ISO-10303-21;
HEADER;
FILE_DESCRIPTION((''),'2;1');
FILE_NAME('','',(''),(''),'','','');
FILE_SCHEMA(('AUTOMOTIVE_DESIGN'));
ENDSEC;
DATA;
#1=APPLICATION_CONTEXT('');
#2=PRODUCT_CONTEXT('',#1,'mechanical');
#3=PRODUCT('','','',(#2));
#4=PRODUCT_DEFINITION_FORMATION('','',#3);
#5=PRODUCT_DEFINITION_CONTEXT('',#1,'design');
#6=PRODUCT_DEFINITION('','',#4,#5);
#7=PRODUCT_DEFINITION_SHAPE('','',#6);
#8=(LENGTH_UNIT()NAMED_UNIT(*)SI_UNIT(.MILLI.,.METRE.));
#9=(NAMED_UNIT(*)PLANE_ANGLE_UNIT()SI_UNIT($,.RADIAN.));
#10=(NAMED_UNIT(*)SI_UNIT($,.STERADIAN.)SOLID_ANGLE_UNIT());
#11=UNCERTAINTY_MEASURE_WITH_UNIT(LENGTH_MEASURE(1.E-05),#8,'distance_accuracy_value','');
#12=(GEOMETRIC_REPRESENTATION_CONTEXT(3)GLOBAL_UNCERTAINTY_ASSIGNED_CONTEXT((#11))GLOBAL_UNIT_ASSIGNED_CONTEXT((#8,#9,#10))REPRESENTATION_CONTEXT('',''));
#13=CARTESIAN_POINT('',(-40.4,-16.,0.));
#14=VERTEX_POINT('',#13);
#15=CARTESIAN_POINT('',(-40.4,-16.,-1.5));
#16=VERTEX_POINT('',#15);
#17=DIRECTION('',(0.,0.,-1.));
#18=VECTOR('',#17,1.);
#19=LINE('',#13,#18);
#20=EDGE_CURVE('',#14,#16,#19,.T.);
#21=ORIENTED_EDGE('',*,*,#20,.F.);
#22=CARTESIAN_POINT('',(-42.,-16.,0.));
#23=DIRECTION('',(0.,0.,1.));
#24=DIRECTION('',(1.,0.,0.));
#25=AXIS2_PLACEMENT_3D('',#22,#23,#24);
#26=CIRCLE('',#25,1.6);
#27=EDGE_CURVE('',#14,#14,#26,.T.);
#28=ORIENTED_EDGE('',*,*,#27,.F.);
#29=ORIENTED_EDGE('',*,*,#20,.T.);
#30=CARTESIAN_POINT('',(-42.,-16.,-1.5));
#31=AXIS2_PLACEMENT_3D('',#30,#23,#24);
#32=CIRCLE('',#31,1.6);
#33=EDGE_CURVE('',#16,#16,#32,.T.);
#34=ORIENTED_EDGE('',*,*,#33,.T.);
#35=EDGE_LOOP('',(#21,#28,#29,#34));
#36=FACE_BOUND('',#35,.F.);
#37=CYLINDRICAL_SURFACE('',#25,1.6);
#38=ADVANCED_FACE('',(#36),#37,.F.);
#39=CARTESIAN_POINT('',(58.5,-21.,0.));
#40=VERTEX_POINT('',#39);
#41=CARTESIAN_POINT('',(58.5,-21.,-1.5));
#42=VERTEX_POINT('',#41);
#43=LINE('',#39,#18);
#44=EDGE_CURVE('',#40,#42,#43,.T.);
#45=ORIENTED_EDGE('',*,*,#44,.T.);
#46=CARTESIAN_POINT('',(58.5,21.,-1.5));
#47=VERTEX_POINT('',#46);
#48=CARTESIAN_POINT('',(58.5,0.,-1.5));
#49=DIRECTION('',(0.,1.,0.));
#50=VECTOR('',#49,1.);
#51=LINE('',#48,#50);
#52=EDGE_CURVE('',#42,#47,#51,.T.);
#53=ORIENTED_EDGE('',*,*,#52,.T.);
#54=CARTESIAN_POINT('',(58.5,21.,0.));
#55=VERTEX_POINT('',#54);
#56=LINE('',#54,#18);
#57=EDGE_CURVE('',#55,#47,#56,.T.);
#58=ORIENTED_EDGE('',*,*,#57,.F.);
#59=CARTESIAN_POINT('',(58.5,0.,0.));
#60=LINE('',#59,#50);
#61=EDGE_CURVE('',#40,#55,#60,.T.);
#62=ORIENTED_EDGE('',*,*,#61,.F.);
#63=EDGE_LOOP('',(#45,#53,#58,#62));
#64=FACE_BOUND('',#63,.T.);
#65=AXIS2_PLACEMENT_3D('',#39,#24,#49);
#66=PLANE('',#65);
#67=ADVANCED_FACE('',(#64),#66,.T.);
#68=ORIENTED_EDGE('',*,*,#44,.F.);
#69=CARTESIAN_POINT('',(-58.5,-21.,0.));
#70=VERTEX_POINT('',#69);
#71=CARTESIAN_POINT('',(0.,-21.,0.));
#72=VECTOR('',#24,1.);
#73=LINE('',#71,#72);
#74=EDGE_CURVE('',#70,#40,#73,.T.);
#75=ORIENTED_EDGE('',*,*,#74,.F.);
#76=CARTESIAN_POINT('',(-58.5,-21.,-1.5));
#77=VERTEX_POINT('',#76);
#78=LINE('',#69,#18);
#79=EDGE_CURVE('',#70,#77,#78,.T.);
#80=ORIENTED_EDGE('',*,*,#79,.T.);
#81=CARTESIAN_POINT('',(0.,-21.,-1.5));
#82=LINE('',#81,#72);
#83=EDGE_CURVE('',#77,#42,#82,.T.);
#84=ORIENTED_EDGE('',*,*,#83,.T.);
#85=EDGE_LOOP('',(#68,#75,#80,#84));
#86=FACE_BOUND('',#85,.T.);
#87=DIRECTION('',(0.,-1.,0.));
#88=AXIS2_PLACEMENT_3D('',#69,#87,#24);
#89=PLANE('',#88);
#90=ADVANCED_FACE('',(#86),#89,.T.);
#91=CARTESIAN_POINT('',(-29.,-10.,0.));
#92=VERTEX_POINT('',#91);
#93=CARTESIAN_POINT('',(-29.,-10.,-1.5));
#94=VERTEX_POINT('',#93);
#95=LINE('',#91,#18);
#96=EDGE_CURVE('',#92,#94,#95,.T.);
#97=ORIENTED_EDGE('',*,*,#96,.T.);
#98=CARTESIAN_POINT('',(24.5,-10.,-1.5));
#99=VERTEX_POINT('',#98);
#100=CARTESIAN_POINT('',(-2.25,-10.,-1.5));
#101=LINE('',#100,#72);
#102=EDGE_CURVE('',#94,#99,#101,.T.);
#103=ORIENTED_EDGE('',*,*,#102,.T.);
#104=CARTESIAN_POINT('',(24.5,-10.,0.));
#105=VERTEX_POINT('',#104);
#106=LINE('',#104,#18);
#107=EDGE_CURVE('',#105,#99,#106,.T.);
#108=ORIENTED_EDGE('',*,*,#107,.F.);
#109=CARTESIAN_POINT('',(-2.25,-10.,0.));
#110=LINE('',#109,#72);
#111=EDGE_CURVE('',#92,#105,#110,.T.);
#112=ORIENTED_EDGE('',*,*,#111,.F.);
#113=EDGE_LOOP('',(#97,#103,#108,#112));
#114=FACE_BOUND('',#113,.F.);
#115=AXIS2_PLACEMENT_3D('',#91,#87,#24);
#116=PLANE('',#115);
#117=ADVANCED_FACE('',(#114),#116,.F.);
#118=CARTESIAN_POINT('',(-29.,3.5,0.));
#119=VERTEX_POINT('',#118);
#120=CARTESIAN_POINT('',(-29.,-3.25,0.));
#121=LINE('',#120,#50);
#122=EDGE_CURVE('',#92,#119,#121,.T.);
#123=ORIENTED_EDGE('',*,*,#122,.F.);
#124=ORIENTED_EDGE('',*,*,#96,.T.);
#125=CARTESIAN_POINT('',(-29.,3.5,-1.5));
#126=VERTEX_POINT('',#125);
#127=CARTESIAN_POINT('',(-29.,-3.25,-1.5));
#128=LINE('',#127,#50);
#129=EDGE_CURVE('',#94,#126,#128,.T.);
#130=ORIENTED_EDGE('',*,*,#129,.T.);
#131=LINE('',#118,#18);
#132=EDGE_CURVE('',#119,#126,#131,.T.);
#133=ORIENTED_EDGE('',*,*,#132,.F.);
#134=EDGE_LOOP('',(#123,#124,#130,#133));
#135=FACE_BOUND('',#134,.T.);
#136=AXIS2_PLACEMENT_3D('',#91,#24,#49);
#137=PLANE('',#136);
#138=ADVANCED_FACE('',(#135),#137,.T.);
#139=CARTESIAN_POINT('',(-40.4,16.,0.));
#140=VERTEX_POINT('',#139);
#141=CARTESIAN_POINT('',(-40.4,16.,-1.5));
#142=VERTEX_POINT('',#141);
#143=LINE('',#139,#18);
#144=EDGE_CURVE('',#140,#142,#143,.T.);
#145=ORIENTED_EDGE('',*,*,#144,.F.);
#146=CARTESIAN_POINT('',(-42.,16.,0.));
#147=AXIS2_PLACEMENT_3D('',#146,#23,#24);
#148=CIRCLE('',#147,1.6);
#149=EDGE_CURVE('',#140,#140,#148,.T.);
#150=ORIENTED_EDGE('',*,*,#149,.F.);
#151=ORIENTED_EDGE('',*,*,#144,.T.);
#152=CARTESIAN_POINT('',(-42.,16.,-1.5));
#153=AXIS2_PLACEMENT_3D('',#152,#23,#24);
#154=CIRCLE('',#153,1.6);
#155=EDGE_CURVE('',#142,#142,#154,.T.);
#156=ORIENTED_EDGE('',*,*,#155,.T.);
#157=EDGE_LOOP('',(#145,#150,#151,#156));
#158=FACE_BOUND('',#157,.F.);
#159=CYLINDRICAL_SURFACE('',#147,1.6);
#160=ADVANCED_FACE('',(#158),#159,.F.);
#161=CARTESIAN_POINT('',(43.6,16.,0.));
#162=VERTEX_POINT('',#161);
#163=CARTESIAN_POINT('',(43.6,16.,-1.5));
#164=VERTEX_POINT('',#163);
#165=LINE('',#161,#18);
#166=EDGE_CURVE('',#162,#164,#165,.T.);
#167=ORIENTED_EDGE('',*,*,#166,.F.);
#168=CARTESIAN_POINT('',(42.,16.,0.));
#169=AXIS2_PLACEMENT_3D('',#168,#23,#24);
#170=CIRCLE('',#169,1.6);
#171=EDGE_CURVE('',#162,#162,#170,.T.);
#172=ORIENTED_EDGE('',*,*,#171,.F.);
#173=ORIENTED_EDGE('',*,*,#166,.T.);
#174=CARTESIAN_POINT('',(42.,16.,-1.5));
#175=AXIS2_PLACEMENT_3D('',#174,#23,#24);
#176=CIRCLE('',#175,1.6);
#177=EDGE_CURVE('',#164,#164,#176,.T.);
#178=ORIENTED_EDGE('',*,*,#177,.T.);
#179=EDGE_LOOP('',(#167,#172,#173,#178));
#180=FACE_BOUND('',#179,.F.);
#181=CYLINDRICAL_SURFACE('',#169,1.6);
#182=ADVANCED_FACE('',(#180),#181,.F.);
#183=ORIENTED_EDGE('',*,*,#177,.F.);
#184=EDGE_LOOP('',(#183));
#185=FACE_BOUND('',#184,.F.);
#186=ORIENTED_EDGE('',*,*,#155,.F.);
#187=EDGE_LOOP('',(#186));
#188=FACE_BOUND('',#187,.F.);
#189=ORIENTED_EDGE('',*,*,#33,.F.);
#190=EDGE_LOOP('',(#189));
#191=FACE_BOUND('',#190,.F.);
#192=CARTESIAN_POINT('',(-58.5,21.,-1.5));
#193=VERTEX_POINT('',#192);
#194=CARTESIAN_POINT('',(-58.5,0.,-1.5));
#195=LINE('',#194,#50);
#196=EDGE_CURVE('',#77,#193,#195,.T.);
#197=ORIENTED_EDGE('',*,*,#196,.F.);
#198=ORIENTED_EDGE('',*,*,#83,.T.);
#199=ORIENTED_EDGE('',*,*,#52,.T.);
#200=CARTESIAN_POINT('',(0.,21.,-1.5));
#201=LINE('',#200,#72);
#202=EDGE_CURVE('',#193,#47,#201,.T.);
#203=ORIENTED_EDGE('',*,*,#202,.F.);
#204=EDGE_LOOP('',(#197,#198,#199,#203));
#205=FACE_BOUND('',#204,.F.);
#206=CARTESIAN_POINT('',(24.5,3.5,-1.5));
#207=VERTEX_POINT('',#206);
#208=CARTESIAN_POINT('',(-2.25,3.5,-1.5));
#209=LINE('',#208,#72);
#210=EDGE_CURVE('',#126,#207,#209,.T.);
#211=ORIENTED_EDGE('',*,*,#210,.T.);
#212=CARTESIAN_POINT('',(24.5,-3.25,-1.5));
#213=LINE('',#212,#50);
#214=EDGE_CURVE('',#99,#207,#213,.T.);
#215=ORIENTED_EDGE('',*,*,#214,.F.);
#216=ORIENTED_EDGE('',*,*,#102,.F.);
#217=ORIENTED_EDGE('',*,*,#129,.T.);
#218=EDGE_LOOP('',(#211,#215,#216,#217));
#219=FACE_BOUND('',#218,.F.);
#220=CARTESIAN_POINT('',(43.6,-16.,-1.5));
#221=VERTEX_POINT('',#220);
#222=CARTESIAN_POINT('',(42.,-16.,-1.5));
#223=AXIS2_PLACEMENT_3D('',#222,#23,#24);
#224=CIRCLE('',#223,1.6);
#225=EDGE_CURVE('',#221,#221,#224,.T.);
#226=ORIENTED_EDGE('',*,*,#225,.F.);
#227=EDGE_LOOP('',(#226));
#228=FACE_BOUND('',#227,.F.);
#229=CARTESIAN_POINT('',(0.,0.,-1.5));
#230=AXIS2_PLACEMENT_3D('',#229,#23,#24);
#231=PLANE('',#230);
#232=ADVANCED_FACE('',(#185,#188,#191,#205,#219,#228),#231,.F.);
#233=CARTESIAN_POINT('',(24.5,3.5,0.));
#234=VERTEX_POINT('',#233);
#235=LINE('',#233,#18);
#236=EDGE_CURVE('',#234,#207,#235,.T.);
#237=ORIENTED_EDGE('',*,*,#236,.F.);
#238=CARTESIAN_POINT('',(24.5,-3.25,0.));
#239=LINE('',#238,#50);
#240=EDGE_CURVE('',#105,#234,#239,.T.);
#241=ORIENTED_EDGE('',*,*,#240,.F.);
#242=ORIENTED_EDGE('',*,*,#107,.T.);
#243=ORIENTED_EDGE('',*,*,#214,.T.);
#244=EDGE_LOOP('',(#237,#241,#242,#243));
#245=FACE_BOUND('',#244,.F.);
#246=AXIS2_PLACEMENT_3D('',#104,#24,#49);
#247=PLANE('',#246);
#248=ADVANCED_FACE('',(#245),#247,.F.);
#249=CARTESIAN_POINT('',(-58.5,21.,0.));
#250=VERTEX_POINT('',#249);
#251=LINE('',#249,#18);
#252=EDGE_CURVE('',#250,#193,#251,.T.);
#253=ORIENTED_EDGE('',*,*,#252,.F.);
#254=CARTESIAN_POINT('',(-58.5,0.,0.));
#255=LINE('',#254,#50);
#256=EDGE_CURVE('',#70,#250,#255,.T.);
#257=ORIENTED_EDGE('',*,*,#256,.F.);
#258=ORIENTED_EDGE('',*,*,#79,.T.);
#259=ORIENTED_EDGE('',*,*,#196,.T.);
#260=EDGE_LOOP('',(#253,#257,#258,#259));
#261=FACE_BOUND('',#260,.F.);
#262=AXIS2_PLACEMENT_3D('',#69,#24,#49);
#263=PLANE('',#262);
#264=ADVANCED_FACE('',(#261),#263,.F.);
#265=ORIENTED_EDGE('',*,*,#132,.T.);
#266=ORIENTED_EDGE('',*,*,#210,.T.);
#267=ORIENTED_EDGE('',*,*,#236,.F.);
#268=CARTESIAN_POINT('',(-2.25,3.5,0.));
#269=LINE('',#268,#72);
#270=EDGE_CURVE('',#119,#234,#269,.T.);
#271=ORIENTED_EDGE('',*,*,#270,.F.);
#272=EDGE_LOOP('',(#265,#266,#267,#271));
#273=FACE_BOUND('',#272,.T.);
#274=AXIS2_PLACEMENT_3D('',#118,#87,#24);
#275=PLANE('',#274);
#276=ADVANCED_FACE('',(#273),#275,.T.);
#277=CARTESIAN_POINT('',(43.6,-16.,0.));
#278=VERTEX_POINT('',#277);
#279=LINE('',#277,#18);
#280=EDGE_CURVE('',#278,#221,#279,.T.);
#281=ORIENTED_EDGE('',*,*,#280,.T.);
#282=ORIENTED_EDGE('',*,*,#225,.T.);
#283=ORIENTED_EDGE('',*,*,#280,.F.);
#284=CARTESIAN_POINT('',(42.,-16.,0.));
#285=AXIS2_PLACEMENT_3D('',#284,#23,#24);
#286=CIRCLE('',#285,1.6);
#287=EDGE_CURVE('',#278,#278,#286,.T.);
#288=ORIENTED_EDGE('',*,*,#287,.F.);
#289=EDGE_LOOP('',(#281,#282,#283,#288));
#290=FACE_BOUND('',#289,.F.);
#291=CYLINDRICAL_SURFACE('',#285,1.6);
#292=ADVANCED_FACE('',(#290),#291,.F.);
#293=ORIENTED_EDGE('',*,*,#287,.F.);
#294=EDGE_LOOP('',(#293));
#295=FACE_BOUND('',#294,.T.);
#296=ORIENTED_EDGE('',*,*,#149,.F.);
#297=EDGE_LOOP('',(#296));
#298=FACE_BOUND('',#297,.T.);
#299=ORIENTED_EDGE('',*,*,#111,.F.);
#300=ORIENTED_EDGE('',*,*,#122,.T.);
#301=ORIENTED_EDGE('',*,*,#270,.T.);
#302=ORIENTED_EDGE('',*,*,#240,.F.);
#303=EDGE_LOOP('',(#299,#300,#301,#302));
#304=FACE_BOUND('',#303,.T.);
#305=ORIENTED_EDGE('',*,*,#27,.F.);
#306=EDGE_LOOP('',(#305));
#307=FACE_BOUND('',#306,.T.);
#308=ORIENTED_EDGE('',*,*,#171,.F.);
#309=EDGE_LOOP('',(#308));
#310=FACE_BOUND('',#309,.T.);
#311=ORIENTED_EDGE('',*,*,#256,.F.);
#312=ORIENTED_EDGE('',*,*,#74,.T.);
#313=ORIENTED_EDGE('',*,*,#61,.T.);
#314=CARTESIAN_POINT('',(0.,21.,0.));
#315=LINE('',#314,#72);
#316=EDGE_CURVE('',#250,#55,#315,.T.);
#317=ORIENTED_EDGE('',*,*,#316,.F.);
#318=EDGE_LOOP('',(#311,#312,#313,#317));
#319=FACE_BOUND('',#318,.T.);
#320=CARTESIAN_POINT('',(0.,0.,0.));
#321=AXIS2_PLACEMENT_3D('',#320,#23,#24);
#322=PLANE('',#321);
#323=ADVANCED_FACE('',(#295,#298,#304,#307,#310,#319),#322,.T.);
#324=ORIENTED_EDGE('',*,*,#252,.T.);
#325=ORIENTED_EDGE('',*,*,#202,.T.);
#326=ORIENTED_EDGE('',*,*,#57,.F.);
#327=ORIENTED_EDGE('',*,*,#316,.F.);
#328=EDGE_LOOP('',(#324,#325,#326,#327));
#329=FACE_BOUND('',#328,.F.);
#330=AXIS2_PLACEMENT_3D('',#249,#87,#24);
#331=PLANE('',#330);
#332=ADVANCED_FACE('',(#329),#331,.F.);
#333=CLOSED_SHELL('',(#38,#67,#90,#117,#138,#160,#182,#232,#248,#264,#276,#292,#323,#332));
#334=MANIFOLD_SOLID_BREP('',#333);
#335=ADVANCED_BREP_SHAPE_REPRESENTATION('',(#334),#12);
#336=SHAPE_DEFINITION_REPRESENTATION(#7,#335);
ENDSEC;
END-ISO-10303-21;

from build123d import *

# Parameters (mm, degrees)
F0_W     = 117
F0_H     = 42
F0_R     = 1.6
F0_W_2   = 53.5
F0_H_2   = 13.5
F1_DEPTH = 1.5


with BuildPart() as f1:
    # F0 (on Top) → F1 (new body)
    with BuildSketch(Plane.XY):
        Rectangle(F0_W, F0_H)
        with Locations((-42, -16)):
            Circle(F0_R, mode=Mode.SUBTRACT)
        with Locations((-2.25, -3.25)):
            Rectangle(F0_W_2, F0_H_2, mode=Mode.SUBTRACT)
        with Locations((42, -16)):
            Circle(F0_R, mode=Mode.SUBTRACT)
        with Locations((-42, 16)):
            Circle(F0_R, mode=Mode.SUBTRACT)
        with Locations((42, 16)):
            Circle(F0_R, mode=Mode.SUBTRACT)
    extrude(amount=-F1_DEPTH)


solid = f1.part
